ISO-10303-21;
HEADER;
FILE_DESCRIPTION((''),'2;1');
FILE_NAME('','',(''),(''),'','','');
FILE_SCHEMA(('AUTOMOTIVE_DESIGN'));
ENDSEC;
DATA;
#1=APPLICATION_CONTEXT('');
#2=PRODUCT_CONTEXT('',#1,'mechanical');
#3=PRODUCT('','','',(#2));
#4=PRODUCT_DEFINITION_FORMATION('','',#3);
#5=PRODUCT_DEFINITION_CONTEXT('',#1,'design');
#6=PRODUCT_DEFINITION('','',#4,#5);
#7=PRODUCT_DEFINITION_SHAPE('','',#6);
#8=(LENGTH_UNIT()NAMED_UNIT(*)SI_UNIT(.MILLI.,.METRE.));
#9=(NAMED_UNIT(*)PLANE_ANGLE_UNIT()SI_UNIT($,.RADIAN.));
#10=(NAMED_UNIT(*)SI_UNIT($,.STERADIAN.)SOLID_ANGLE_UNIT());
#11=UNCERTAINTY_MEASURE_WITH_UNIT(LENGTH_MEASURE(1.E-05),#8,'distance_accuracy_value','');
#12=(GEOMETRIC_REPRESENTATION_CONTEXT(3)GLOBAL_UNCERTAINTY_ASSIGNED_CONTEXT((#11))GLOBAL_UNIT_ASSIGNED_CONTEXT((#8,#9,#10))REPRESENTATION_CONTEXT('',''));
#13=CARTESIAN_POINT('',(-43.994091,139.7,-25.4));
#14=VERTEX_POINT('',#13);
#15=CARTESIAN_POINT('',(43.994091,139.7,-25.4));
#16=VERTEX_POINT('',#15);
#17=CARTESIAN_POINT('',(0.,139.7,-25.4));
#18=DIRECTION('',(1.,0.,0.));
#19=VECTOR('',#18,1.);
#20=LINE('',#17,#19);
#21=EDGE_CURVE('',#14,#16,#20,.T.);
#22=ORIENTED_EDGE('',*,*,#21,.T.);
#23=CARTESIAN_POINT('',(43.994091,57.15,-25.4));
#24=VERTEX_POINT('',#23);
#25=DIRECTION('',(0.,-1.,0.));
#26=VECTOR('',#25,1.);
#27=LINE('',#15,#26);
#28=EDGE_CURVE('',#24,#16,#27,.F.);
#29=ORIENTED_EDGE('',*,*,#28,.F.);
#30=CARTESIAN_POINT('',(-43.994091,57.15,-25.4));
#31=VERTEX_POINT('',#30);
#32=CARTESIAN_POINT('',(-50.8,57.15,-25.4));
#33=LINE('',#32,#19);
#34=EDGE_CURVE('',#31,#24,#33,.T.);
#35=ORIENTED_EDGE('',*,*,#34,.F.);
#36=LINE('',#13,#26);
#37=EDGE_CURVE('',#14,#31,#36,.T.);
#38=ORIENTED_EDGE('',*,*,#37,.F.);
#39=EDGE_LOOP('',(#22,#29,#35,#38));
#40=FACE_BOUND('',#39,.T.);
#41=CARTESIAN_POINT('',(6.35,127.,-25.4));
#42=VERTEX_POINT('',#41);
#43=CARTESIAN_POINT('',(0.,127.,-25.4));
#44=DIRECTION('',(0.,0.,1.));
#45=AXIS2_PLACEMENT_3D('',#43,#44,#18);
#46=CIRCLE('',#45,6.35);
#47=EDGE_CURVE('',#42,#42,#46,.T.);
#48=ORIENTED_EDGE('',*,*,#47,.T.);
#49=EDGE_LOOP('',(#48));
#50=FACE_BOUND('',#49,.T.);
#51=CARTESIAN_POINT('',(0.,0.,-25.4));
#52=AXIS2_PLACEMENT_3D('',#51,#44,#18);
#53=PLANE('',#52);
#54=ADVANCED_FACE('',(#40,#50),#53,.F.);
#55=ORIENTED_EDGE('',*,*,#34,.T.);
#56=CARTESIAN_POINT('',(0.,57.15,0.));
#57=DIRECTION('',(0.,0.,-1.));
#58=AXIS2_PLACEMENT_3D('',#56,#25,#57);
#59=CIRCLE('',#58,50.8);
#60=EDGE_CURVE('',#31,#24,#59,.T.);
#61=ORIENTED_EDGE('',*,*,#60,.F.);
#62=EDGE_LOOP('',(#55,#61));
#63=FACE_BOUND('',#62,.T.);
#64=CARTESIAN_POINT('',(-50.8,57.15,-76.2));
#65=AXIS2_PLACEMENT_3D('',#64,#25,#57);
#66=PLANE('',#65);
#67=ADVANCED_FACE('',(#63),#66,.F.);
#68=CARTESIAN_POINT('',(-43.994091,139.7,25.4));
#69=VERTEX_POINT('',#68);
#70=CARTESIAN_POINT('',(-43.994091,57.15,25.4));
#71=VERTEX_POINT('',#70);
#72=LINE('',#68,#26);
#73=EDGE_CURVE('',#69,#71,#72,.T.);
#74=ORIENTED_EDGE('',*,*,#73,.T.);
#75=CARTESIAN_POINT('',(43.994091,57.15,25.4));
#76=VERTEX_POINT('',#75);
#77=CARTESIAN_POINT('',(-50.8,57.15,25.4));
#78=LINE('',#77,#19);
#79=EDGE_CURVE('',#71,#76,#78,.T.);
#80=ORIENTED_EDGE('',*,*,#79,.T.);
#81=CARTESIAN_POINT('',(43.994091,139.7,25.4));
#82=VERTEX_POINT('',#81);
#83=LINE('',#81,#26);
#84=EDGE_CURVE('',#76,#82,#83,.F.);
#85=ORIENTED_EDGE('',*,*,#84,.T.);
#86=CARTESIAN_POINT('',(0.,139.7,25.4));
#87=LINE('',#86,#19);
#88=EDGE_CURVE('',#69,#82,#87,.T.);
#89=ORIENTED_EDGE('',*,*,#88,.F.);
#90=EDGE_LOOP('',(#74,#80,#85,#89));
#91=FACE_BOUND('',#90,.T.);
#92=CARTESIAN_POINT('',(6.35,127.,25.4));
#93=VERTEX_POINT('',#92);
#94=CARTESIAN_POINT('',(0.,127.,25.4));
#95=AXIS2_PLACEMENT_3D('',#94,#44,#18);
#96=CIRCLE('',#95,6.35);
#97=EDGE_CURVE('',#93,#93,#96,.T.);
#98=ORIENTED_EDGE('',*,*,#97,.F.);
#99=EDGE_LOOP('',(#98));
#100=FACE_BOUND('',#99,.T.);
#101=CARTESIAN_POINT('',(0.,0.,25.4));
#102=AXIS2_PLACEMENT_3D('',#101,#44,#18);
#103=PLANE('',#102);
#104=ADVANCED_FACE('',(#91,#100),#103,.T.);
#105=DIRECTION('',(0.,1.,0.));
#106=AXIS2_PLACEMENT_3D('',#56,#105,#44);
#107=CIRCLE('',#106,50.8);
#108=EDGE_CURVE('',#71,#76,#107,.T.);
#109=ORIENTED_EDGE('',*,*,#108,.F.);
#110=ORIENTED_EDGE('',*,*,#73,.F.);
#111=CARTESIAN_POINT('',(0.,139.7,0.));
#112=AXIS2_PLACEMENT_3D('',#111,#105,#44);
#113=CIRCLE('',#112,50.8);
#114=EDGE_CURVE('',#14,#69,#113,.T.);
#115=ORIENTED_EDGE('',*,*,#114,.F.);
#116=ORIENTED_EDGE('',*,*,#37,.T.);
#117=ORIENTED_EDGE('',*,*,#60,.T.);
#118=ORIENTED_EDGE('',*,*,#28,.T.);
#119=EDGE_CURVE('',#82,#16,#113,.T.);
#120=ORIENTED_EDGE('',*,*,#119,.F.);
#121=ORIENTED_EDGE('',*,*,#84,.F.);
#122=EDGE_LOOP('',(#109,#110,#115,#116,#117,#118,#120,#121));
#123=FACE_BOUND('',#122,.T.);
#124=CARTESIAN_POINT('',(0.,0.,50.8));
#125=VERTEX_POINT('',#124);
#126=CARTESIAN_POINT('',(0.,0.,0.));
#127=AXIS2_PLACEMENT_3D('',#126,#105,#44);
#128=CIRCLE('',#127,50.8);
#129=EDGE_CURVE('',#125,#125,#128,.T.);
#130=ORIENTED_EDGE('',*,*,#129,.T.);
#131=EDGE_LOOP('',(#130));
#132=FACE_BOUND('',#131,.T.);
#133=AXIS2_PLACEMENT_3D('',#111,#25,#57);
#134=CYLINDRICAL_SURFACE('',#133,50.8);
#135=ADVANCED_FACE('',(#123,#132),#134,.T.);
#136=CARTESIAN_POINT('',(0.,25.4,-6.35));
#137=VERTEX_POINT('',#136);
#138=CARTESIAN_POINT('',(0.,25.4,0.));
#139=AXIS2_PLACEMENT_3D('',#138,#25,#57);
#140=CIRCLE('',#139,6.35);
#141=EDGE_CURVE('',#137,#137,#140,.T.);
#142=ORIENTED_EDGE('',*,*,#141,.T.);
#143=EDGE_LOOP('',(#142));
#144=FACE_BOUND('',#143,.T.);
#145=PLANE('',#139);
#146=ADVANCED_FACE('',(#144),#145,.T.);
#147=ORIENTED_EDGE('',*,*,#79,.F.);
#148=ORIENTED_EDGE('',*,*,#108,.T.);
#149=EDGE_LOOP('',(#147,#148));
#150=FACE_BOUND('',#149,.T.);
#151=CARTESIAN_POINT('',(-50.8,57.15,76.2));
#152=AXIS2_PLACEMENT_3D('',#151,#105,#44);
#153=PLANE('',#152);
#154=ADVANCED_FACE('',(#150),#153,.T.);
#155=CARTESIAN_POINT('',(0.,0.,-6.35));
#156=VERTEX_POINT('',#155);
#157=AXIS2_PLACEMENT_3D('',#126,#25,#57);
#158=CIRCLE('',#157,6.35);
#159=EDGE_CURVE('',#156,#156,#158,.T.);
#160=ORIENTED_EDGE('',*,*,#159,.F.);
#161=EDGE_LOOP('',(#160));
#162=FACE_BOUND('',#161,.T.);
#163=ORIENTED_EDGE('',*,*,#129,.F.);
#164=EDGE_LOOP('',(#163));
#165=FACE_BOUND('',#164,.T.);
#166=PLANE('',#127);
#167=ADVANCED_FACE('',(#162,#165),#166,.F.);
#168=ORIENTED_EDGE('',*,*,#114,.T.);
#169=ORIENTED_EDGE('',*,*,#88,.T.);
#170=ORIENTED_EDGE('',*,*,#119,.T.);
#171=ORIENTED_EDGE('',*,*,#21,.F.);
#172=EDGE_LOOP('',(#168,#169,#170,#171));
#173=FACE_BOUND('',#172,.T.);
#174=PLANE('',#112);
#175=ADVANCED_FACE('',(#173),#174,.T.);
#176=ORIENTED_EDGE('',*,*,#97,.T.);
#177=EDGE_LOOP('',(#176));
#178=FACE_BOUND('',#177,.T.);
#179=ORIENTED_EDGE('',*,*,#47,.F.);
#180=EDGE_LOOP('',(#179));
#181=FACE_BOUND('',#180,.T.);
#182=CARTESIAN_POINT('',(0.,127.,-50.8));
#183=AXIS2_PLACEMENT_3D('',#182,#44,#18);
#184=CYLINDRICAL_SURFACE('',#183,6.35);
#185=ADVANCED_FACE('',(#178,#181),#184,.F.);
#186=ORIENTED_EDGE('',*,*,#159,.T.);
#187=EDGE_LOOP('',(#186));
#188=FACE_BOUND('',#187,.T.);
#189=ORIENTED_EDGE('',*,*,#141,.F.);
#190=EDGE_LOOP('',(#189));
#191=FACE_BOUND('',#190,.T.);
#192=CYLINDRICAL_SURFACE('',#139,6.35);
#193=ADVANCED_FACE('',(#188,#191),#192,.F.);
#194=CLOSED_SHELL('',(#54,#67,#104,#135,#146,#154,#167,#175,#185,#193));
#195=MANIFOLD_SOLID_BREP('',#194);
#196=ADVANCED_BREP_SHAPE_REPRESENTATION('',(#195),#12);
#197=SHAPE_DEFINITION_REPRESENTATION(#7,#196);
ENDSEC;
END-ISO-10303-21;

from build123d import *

# Parameters (mm, degrees)
SKETCH1_R           = 50.8
BOSS_EXTRUDE1_DEPTH = 139.7
CUT_EXTRUDE1_START  = 25.4
SKETCH2_W           = 101.6
SKETCH2_H           = 165.1
CUT_EXTRUDE1_DEPTH  = 50.8
CUT_EXTRUDE2_START  = -25.4
SKETCH2_2_W         = 101.6
SKETCH2_2_H         = 165.1
CUT_EXTRUDE2_DEPTH  = 50.8
SKETCH3_R           = 6.35
CUT_EXTRUDE3_DEPTH  = 25.4
SKETCH4_R           = 6.35
CUT_EXTRUDE4_DEPTH  = 168.042419762


with BuildPart() as part:
    # Sketch1 → Boss-Extrude1 (new body)
    with BuildSketch(Plane(origin=(0, 0, 0), x_dir=(1, 0, 0), z_dir=(0, 1, 0))):
        Circle(SKETCH1_R)
    extrude(amount=BOSS_EXTRUDE1_DEPTH)

    # Sketch2 → Cut-Extrude1 (cut)
    with BuildSketch(Plane.XY.offset(CUT_EXTRUDE1_START)):
        with Locations((0, 139.7)):
            Rectangle(SKETCH2_W, SKETCH2_H)
    extrude(amount=CUT_EXTRUDE1_DEPTH, mode=Mode.SUBTRACT)

    # Sketch2<2> → Cut-Extrude2 (cut)
    with BuildSketch(Plane.XY.offset(CUT_EXTRUDE2_START)):
        with Locations((0, 139.7)):
            Rectangle(SKETCH2_2_W, SKETCH2_2_H)
    extrude(amount=-CUT_EXTRUDE2_DEPTH, mode=Mode.SUBTRACT)

    # Sketch3 → Cut-Extrude3 (cut)
    with BuildSketch(Plane.XZ):
        Circle(SKETCH3_R)
    extrude(amount=-CUT_EXTRUDE3_DEPTH, mode=Mode.SUBTRACT)

    # Sketch4 → Cut-Extrude4 (cut, through all)
    with BuildSketch(Plane.XY.offset(25.4)):
        with Locations((0, 127)):
            Circle(SKETCH4_R)
    extrude(amount=-CUT_EXTRUDE4_DEPTH, mode=Mode.SUBTRACT)


solid = part.part
